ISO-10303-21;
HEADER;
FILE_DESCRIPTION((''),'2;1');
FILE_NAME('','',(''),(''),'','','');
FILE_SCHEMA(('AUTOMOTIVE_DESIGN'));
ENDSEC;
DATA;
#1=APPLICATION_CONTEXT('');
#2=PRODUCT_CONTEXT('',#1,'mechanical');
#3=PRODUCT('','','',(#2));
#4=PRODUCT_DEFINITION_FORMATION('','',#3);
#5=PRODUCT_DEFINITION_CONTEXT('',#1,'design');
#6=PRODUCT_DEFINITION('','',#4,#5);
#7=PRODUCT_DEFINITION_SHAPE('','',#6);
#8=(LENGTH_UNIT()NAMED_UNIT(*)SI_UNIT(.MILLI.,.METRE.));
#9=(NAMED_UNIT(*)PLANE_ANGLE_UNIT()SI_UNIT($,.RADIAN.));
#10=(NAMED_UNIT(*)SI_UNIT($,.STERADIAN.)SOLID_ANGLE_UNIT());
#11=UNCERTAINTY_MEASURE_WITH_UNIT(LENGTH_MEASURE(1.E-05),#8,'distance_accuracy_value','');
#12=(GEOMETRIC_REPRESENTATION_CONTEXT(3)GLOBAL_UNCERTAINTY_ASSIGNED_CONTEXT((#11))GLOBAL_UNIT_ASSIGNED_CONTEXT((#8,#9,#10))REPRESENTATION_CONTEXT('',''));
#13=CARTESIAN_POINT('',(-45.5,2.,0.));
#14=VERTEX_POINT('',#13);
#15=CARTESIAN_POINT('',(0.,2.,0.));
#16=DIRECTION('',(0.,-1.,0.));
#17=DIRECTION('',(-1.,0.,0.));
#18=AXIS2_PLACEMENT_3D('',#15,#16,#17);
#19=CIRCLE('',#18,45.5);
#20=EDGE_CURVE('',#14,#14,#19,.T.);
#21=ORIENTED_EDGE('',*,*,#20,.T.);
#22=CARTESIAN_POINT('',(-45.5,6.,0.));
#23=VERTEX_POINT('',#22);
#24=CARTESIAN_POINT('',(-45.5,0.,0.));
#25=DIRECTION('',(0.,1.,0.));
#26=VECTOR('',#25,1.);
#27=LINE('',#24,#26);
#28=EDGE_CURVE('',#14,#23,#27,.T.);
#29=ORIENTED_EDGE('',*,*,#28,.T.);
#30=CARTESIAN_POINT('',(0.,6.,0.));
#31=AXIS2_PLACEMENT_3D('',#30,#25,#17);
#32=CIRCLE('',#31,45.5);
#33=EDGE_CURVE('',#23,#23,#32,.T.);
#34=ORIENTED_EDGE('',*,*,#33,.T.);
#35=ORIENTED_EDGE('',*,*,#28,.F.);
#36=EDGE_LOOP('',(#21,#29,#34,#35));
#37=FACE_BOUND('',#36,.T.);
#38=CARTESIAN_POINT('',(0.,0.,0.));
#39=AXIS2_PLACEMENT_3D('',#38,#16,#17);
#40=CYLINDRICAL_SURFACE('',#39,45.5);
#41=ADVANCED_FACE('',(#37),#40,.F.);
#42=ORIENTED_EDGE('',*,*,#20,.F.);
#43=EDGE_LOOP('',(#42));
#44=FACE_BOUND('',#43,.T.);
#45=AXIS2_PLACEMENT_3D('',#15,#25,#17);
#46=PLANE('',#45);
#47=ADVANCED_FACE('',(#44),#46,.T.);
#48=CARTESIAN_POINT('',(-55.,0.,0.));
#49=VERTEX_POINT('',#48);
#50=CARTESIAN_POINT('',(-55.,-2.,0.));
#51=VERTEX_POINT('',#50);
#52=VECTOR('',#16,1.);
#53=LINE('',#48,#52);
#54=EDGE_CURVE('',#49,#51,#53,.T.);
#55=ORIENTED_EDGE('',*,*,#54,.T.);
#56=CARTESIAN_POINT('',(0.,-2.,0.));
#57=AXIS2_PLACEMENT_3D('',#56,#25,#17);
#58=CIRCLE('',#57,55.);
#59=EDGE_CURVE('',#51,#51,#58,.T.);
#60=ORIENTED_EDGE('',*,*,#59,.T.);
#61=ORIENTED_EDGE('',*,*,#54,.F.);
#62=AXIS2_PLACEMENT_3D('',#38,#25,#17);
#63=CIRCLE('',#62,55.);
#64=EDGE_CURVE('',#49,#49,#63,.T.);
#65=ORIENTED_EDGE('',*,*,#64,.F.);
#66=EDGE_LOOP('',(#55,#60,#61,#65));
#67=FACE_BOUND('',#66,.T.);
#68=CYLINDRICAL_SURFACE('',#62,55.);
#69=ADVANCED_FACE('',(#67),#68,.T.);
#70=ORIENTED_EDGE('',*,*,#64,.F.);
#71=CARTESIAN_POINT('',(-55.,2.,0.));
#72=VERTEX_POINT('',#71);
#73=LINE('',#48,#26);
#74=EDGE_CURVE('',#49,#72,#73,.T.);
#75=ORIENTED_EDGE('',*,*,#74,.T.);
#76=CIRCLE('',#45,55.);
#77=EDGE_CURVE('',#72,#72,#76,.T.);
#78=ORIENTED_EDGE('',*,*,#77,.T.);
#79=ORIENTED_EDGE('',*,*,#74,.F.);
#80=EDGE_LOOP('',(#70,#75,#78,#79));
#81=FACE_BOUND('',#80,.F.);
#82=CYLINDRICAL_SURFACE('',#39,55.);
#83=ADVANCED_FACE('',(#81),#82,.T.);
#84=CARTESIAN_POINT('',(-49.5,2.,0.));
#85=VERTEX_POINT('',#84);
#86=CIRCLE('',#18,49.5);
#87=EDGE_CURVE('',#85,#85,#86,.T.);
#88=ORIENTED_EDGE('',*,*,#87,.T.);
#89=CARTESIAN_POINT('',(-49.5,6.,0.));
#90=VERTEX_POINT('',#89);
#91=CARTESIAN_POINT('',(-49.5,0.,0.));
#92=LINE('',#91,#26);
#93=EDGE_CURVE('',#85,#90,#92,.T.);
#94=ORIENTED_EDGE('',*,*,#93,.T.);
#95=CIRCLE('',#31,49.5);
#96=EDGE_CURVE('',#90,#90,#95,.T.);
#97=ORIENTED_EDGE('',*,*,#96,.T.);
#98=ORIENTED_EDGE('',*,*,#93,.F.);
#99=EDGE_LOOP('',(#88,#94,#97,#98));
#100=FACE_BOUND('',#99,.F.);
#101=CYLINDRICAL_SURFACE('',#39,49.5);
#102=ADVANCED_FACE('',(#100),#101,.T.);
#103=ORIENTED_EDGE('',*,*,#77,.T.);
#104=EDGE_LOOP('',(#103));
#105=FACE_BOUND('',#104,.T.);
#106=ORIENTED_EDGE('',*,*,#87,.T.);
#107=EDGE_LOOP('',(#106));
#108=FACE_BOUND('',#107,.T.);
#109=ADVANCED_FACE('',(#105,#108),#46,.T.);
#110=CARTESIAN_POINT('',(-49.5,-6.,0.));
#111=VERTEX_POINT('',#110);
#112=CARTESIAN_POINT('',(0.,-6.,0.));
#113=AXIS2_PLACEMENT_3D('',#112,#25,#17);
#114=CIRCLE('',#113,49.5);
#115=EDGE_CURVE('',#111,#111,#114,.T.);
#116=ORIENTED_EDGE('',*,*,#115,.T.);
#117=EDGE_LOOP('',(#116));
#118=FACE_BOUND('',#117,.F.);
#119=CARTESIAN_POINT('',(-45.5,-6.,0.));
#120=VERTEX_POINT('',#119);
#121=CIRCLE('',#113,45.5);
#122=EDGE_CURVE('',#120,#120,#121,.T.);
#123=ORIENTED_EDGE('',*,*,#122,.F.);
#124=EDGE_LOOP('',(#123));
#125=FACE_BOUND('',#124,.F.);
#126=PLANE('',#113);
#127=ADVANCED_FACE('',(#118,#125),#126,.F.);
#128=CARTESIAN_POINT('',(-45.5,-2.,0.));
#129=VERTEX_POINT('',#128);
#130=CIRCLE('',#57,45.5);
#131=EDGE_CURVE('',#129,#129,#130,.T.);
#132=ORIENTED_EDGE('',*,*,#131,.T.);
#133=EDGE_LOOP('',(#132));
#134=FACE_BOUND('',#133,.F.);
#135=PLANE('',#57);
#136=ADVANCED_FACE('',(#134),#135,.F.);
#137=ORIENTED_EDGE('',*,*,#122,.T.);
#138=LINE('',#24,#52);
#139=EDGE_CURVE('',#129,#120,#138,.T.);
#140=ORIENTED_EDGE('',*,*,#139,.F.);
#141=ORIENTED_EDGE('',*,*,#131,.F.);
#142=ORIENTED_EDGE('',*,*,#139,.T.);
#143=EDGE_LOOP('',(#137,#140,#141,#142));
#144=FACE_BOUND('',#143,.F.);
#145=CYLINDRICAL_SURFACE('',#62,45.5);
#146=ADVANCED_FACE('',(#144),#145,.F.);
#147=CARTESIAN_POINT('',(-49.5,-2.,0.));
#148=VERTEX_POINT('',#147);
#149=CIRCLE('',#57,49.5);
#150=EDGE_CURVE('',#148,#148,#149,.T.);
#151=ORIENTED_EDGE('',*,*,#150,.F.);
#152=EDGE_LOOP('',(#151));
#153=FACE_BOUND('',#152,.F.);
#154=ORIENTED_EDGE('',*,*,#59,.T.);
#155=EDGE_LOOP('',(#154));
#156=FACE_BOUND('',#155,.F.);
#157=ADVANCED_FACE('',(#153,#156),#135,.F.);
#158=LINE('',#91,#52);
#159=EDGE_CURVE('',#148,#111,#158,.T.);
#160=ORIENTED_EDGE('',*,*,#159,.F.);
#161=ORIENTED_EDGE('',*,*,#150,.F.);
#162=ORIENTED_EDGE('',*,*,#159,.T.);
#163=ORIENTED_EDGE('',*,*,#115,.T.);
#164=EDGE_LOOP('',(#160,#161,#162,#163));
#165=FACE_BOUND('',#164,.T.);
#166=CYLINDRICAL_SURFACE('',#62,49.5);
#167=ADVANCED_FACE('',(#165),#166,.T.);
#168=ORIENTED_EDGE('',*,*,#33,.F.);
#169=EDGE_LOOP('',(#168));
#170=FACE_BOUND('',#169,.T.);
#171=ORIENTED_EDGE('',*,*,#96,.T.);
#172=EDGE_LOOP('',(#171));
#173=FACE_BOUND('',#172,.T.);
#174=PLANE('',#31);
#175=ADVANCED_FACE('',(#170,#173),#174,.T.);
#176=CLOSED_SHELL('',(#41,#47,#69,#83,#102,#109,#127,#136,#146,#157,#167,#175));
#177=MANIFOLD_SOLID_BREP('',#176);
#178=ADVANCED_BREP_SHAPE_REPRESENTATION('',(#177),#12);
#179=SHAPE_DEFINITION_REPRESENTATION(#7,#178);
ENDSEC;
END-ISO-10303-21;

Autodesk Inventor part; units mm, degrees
ref_plane "YZ Plane" through (0, 0, 0) normal (1, 0, 0) x (0, 1, 0)
ref_plane "XZ Plane" through (0, 0, 0) normal (0, 1, 0) x (-1, 0, 0)
ref_plane "XY Plane" through (0, 0, 0) normal (0, 0, 1) x (1, 0, 0)
sketch "Эскиз1" plane through (0, 0, 0) normal (0, 1, 0) x (-1, 0, 0)
  circle A0 centre (0, 0) radius 55
  dimension "d0" = 110
extrude "Выдавливание1" add sketch "Эскиз1" along normal mid plane 4
sketch "Эскиз2" plane through (0, 0, 0) normal (0, 1, 0) x (-1, 0, 0)
  circle A0 centre (0, 0) radius 55 projected
  circle A1 centre (0, 0) radius 49.5
  circle A2 centre (0, 0) radius 45.5
  point P0 (0, 49.5)
  point P1 (0, 45.5)
  dimension "d4" = 99
  dimension "d5" = 4
extrude "Выдавливание2" add sketch "Эскиз2" along normal mid plane 12 contours A1
properties part number "внутреннее кольцо подшипника"
